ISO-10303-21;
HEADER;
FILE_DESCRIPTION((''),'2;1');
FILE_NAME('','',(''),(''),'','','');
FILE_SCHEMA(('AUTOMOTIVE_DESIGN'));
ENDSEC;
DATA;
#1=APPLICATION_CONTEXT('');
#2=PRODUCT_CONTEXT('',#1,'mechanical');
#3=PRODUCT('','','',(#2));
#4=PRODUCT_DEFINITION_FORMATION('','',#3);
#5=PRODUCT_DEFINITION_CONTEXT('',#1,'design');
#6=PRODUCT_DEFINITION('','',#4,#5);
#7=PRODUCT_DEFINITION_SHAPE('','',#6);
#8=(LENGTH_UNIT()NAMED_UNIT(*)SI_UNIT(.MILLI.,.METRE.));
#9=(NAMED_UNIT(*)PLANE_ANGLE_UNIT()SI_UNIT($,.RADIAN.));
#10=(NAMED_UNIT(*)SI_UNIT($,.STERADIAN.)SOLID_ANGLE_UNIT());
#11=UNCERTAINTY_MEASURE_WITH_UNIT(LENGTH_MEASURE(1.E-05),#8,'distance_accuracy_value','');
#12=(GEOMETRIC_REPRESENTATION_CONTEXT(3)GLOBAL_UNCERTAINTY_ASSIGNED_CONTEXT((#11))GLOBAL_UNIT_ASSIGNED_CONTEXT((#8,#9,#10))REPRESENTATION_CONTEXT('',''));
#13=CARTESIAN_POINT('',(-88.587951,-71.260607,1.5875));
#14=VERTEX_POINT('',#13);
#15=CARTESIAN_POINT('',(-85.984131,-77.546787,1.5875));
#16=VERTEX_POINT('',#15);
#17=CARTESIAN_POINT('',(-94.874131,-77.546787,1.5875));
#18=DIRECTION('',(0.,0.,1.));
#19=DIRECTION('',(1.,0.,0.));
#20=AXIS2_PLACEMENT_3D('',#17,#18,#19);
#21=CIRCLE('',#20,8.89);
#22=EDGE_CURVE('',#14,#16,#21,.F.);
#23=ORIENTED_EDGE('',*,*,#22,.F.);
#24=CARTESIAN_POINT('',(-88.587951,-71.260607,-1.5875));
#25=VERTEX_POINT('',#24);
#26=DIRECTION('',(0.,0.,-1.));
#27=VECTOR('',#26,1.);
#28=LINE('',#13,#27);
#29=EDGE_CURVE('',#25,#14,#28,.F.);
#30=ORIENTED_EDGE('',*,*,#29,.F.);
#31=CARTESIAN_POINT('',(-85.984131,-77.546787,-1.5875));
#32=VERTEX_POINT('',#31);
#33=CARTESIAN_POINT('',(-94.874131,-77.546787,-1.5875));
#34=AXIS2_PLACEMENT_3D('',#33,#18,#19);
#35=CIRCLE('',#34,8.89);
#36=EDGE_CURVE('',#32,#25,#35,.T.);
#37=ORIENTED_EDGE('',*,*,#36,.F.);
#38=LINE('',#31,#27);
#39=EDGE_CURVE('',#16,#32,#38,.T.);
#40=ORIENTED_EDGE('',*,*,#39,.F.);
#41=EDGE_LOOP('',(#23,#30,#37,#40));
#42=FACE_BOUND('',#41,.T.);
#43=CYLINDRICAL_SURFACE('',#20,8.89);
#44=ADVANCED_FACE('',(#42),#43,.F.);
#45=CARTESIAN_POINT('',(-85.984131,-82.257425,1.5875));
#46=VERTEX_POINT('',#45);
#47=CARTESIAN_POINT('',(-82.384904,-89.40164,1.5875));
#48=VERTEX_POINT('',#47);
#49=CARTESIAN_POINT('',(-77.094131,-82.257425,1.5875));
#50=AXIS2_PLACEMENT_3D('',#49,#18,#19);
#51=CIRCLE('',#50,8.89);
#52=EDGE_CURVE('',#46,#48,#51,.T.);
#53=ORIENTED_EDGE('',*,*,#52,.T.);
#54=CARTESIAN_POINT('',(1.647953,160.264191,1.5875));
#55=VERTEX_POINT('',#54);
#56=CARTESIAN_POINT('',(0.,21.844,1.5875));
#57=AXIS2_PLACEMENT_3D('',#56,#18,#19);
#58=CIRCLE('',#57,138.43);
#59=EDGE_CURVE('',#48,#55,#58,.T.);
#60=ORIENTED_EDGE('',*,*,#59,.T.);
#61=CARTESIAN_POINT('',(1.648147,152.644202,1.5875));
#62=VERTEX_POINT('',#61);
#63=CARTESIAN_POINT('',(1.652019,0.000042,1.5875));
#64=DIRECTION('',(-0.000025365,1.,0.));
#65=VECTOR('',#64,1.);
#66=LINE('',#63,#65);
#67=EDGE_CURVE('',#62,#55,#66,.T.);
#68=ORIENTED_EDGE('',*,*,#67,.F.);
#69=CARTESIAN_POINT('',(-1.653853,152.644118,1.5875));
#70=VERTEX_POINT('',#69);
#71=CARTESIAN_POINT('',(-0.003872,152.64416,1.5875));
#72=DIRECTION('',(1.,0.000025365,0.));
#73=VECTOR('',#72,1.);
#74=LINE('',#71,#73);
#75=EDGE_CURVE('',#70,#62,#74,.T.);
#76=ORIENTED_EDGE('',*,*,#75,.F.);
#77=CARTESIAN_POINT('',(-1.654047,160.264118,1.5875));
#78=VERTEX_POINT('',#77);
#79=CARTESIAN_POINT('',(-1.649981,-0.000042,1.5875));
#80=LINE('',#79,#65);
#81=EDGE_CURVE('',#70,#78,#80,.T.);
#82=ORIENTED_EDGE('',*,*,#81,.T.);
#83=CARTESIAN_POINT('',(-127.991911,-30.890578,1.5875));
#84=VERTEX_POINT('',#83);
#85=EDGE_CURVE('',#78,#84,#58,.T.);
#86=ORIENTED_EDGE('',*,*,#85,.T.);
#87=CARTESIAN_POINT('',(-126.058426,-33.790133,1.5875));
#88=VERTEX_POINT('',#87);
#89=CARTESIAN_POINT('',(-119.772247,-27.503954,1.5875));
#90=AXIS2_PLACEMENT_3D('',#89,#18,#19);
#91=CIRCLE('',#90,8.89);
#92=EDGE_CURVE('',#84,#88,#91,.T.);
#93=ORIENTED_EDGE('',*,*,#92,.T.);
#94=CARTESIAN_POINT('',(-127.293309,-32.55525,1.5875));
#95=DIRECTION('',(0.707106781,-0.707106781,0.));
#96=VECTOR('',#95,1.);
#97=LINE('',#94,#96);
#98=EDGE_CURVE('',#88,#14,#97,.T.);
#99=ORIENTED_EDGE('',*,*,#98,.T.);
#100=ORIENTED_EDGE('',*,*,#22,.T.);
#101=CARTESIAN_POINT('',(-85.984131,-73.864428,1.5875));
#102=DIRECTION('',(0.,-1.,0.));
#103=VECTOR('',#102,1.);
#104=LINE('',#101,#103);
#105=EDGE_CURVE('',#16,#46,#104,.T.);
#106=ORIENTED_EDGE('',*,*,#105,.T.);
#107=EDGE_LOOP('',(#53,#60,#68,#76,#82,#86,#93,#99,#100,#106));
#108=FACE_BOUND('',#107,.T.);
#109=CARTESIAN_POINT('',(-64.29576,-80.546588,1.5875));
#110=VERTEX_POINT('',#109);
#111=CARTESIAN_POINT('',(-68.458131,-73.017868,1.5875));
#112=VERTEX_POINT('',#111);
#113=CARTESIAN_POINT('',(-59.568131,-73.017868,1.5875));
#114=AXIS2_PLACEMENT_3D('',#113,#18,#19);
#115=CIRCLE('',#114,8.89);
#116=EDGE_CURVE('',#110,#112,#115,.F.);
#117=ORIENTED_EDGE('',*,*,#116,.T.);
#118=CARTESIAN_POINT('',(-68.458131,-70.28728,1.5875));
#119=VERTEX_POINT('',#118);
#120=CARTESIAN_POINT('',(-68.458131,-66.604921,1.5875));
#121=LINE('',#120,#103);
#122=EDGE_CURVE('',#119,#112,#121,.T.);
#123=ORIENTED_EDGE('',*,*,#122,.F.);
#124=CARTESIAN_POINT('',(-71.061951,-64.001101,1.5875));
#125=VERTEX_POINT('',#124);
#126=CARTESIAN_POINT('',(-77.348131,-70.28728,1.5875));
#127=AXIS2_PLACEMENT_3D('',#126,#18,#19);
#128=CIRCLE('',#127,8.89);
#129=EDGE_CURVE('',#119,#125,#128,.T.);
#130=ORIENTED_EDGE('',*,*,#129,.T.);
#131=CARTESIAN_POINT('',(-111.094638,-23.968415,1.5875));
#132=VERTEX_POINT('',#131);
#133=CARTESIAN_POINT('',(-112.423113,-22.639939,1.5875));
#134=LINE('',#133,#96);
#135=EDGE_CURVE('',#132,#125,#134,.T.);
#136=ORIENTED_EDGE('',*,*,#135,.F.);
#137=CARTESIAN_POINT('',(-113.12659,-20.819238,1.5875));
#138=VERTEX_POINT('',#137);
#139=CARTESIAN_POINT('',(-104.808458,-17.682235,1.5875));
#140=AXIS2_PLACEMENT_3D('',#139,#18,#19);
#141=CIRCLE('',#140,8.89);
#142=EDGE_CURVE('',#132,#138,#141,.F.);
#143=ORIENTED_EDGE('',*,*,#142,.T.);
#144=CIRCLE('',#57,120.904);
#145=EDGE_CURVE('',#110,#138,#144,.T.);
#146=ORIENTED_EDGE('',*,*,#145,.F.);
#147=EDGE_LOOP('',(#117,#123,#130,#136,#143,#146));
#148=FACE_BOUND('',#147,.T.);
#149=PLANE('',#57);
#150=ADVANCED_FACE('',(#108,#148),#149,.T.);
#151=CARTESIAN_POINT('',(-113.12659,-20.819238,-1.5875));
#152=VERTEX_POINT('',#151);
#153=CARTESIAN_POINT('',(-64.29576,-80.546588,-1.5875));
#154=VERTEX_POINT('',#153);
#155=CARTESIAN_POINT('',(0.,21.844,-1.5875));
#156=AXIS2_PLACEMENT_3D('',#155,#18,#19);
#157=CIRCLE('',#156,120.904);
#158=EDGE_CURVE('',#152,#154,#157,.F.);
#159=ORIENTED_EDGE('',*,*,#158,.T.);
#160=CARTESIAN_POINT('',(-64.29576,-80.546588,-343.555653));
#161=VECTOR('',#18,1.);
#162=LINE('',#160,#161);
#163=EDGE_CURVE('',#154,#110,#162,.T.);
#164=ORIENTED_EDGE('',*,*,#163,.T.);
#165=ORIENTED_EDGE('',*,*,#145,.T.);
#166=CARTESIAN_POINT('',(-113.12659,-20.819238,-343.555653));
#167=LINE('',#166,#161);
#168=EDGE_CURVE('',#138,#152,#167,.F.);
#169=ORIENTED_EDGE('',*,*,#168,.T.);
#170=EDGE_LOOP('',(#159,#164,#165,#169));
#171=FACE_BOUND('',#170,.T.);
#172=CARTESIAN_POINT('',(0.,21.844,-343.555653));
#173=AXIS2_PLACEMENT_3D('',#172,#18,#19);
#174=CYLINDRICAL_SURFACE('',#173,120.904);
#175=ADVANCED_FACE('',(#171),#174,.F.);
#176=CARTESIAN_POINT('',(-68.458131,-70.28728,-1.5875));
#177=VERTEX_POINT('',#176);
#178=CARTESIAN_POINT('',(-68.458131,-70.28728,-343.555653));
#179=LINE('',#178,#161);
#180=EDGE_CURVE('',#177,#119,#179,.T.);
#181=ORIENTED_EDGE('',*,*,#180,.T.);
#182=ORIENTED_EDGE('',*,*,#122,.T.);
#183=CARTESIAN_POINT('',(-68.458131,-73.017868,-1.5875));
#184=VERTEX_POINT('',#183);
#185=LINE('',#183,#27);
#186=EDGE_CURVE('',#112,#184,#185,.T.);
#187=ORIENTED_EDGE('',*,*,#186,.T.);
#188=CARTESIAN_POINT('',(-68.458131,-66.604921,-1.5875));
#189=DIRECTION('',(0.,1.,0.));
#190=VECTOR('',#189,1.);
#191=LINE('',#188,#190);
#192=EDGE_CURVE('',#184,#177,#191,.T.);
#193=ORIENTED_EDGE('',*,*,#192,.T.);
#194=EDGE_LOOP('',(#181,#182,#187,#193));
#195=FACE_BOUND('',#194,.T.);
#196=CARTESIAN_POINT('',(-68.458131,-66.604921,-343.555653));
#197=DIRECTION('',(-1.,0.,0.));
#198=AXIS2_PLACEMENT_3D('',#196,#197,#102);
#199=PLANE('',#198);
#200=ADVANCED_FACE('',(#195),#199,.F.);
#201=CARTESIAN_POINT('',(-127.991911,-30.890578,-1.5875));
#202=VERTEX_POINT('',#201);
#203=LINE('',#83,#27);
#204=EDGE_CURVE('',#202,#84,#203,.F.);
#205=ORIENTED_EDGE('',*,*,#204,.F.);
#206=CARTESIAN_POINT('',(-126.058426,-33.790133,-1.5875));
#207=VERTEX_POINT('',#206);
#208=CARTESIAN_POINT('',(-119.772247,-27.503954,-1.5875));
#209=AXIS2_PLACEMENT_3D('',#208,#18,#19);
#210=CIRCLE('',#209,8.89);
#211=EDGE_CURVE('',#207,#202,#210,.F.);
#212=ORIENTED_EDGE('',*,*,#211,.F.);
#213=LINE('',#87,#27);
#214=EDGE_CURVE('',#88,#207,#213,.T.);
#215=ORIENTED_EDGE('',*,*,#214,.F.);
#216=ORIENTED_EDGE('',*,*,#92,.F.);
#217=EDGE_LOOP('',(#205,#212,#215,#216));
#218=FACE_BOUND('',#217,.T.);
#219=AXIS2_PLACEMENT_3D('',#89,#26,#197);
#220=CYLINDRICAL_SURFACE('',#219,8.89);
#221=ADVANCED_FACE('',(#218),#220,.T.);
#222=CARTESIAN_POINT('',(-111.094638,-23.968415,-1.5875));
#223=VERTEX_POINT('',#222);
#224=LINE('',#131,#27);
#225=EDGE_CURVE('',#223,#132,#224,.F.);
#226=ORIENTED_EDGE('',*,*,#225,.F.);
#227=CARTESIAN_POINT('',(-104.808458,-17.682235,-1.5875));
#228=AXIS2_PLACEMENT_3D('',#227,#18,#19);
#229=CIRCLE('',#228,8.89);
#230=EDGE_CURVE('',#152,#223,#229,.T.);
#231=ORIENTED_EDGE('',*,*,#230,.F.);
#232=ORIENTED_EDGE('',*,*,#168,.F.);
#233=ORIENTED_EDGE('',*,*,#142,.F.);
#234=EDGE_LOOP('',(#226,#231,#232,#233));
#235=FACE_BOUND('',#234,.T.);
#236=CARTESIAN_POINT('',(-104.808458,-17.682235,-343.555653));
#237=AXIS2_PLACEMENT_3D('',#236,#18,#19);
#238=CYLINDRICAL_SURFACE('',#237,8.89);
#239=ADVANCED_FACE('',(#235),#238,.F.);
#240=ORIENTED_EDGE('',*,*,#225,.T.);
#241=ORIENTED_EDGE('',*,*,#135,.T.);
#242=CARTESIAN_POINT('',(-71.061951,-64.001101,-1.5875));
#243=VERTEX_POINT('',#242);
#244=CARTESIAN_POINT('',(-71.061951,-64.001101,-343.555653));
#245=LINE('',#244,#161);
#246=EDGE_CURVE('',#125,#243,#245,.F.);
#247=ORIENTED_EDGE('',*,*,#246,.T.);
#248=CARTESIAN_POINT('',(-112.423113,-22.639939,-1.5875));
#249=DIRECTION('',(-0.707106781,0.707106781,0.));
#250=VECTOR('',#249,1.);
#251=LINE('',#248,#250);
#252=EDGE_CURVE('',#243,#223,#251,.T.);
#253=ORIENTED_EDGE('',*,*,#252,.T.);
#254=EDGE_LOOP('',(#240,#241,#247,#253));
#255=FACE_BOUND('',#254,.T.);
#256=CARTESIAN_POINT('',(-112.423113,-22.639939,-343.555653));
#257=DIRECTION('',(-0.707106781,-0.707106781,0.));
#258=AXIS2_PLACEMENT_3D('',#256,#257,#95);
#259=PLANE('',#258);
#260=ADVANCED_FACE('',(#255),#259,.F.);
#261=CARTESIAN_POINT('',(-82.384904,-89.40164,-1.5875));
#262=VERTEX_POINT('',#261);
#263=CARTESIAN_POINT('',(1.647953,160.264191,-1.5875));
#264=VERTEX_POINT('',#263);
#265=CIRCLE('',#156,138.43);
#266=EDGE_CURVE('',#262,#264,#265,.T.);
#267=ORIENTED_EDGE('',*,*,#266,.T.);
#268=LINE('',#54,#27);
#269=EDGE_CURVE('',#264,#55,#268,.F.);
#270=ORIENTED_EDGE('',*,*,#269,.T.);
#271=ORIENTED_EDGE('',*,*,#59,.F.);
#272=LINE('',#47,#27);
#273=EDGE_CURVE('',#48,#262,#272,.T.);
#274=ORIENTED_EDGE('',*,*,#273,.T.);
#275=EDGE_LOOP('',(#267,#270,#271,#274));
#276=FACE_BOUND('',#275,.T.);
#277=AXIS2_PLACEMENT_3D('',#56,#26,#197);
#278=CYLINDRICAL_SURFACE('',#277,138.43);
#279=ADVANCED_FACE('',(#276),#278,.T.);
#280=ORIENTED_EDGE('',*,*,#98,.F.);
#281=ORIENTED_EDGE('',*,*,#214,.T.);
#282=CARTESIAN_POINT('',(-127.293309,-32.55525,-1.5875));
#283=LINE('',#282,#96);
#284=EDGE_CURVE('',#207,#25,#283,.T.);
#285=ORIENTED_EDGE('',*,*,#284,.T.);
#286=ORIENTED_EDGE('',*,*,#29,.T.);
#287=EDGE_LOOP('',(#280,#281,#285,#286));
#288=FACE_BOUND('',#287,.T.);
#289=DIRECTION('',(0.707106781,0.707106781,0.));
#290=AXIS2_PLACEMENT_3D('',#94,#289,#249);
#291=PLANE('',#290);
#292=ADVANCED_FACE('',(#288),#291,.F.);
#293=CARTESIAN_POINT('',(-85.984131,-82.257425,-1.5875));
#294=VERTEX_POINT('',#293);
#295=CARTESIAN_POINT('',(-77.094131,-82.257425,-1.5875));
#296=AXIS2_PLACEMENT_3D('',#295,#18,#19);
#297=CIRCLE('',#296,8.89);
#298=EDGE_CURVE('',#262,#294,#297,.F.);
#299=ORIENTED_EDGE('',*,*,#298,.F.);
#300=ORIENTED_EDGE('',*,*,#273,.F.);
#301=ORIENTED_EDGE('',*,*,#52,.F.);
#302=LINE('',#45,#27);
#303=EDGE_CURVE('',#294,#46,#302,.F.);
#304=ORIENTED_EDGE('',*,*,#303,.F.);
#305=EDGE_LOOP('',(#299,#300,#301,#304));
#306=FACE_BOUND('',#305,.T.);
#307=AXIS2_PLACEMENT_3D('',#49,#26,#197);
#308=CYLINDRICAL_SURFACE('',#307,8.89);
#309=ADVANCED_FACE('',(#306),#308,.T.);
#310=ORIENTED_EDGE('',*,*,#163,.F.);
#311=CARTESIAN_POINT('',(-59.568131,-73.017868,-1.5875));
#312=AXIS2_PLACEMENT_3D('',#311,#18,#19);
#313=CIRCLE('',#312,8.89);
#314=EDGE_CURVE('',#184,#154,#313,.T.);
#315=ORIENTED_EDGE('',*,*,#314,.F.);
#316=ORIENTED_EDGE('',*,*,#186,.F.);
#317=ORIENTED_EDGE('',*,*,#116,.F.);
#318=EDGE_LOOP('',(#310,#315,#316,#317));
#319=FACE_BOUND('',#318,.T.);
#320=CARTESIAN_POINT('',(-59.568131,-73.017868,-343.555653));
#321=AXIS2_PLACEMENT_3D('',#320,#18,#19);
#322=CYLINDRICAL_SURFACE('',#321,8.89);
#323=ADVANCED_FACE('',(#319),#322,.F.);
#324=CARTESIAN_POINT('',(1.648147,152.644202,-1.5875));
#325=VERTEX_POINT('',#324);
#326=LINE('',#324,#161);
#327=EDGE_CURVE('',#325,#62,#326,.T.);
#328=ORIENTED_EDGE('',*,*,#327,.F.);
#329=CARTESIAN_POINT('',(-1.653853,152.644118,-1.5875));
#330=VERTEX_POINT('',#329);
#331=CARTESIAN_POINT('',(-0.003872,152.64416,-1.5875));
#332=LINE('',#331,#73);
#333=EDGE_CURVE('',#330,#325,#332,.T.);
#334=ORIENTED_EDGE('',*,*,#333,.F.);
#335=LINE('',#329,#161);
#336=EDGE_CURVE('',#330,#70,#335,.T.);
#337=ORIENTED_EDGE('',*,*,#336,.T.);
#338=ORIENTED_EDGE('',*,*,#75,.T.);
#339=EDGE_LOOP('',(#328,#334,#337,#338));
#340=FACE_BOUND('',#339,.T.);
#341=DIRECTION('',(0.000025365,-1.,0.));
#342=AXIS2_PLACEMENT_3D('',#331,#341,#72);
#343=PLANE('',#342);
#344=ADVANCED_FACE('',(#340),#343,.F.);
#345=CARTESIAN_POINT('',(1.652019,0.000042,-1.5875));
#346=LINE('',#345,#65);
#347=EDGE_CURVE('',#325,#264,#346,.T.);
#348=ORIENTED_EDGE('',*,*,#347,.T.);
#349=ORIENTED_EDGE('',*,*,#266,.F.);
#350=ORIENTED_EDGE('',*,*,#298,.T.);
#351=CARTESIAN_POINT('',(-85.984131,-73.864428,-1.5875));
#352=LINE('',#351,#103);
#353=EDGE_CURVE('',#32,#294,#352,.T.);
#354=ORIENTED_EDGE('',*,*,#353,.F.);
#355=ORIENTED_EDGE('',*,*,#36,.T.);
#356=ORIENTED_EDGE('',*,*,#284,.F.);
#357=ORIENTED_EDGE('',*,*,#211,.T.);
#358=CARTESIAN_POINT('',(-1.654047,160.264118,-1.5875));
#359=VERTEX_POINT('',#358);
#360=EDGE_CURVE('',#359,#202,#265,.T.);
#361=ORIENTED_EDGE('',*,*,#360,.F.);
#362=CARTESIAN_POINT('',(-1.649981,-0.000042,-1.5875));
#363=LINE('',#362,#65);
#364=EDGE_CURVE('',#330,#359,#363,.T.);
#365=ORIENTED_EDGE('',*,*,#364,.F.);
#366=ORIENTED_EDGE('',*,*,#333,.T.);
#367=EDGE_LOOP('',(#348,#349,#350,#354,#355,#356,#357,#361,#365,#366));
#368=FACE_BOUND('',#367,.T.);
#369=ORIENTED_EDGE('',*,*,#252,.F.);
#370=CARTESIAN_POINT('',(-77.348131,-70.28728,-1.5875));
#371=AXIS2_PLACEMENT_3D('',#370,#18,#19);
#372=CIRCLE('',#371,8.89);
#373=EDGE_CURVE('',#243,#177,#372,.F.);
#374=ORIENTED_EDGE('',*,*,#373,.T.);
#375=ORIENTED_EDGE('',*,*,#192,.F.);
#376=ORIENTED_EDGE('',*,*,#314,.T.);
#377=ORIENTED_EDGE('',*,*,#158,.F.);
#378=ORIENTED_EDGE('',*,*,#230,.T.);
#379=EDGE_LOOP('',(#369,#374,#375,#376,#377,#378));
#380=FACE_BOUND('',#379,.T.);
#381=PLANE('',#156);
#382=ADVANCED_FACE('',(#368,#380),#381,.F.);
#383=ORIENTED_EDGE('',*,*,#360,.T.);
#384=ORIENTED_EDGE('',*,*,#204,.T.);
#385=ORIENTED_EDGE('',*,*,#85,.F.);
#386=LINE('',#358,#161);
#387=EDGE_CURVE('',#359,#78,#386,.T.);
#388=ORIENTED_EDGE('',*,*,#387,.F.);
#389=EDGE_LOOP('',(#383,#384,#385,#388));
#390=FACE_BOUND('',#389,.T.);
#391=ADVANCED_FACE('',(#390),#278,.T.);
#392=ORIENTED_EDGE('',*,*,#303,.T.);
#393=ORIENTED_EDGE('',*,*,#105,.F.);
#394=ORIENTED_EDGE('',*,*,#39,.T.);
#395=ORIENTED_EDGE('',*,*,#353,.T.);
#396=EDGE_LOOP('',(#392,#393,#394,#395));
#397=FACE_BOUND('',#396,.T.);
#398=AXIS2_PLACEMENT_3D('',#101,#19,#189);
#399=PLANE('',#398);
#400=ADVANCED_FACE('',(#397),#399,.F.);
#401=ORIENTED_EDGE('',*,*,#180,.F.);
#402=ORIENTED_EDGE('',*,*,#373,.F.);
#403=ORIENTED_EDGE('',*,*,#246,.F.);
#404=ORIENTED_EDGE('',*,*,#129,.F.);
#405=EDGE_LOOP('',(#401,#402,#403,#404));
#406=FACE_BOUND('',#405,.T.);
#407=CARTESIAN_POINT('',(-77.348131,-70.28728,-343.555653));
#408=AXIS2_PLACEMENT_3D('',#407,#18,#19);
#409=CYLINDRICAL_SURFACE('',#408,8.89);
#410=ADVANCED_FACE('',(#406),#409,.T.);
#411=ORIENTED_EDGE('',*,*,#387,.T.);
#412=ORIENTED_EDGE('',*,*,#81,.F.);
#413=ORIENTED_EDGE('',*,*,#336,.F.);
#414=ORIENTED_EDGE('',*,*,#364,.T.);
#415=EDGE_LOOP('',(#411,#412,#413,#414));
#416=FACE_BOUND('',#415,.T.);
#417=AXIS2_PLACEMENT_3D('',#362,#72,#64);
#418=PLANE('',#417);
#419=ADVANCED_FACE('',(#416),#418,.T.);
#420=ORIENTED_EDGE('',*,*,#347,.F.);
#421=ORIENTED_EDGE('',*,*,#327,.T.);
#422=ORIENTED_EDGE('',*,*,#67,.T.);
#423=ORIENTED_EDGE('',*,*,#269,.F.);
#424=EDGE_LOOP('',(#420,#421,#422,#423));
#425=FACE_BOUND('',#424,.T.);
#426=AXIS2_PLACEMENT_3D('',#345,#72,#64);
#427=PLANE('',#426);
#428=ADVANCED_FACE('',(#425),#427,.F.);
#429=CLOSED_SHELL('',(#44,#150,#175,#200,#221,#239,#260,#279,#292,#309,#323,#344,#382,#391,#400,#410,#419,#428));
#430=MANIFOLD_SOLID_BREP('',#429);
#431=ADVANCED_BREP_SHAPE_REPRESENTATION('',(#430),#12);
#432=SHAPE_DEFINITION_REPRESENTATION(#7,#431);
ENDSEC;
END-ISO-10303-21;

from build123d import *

# Parameters (mm, degrees)
BOSS_EXTRUDE1_DEPTH = 1.5875
CUT_EXTRUDE1_DEPTH  = 3.175
FILLET1_R           = 8.89
CUT_EXTRUDE2_DEPTH  = 212.803448039


with BuildPart() as part:
    # Sketch1 → Boss-Extrude1 (new, symmetric)
    with BuildSketch(Plane.XY):
        with BuildLine():
            Line((-127.293308919, -32.555250036), (-85.984130762, -73.864428193))
            Line((-85.984130762, -73.864428193), (-85.984130762, -86.643760402))
            ThreePointArc((-85.984130762, -86.643760402), (-70.818680903, -97.099597285), (-54.399250036, -105.449308919))
            ThreePointArc((-54.399250036, -105.449308919), (97.88479172, 119.72879172), (-127.293308919, -32.555250036))
        make_face()
    extrude(amount=BOSS_EXTRUDE1_DEPTH, both=True)

    # Sketch2 → Cut-Extrude1 (cut)
    with BuildSketch(Plane.XY.offset(1.5875)):
        with BuildLine():
            Line((-112.423113331, -22.63993873), (-68.458130762, -66.604921299))
            Line((-68.458130762, -66.604921299), (-68.458130762, -77.811715082))
            ThreePointArc((-68.458130762, -77.811715082), (94.55415032, 97.191792757), (-112.423113331, -22.63993873))
        make_face()
    extrude(amount=-CUT_EXTRUDE1_DEPTH, mode=Mode.SUBTRACT)

    # Fillet1
    fillet1_edges = [part.edges().sort_by_distance(p)[0] for p in [
        (-112.423113331, -22.63993873, 0),
        (-68.458130762, -77.811715082, 0),
        (-68.458130762, -66.604921299, 0),
        (-85.984130762, -86.643760402, -0.79375),
        (-85.984130762, -73.864428193, -0.79375),
        (-127.293308919, -32.555250036, -0.79375),
    ]]
    fillet(fillet1_edges, radius=FILLET1_R)

    # Sketch3 → Cut-Extrude2 (cut, through all)
    with BuildSketch(Plane.XY.offset(1.5875)):
        with BuildLine():
            Line((-1.653853322, 152.644117868), (-1.654046603, 160.264117865))
            ThreePointArc((-1.654046603, 160.264117865), (-0.003046821, 160.273999966), (1.647953396, 160.264201621))
            Line((1.647953396, 160.264201621), (1.648146677, 152.644201623))
            Line((1.648146677, 152.644201623), (-1.653853322, 152.644117868))
        make_face()
    extrude(amount=-CUT_EXTRUDE2_DEPTH, mode=Mode.SUBTRACT)


with BuildPart() as cut_extrude2_kept_piece:
    # of the separate pieces the step leaves, the one the design keeps (cut_extrude2_pieces_kept)
    add(part.part.solids().sort_by_distance((-126.058425896, -33.790133059, -1.5875))[0])


solid = cut_extrude2_kept_piece.part
